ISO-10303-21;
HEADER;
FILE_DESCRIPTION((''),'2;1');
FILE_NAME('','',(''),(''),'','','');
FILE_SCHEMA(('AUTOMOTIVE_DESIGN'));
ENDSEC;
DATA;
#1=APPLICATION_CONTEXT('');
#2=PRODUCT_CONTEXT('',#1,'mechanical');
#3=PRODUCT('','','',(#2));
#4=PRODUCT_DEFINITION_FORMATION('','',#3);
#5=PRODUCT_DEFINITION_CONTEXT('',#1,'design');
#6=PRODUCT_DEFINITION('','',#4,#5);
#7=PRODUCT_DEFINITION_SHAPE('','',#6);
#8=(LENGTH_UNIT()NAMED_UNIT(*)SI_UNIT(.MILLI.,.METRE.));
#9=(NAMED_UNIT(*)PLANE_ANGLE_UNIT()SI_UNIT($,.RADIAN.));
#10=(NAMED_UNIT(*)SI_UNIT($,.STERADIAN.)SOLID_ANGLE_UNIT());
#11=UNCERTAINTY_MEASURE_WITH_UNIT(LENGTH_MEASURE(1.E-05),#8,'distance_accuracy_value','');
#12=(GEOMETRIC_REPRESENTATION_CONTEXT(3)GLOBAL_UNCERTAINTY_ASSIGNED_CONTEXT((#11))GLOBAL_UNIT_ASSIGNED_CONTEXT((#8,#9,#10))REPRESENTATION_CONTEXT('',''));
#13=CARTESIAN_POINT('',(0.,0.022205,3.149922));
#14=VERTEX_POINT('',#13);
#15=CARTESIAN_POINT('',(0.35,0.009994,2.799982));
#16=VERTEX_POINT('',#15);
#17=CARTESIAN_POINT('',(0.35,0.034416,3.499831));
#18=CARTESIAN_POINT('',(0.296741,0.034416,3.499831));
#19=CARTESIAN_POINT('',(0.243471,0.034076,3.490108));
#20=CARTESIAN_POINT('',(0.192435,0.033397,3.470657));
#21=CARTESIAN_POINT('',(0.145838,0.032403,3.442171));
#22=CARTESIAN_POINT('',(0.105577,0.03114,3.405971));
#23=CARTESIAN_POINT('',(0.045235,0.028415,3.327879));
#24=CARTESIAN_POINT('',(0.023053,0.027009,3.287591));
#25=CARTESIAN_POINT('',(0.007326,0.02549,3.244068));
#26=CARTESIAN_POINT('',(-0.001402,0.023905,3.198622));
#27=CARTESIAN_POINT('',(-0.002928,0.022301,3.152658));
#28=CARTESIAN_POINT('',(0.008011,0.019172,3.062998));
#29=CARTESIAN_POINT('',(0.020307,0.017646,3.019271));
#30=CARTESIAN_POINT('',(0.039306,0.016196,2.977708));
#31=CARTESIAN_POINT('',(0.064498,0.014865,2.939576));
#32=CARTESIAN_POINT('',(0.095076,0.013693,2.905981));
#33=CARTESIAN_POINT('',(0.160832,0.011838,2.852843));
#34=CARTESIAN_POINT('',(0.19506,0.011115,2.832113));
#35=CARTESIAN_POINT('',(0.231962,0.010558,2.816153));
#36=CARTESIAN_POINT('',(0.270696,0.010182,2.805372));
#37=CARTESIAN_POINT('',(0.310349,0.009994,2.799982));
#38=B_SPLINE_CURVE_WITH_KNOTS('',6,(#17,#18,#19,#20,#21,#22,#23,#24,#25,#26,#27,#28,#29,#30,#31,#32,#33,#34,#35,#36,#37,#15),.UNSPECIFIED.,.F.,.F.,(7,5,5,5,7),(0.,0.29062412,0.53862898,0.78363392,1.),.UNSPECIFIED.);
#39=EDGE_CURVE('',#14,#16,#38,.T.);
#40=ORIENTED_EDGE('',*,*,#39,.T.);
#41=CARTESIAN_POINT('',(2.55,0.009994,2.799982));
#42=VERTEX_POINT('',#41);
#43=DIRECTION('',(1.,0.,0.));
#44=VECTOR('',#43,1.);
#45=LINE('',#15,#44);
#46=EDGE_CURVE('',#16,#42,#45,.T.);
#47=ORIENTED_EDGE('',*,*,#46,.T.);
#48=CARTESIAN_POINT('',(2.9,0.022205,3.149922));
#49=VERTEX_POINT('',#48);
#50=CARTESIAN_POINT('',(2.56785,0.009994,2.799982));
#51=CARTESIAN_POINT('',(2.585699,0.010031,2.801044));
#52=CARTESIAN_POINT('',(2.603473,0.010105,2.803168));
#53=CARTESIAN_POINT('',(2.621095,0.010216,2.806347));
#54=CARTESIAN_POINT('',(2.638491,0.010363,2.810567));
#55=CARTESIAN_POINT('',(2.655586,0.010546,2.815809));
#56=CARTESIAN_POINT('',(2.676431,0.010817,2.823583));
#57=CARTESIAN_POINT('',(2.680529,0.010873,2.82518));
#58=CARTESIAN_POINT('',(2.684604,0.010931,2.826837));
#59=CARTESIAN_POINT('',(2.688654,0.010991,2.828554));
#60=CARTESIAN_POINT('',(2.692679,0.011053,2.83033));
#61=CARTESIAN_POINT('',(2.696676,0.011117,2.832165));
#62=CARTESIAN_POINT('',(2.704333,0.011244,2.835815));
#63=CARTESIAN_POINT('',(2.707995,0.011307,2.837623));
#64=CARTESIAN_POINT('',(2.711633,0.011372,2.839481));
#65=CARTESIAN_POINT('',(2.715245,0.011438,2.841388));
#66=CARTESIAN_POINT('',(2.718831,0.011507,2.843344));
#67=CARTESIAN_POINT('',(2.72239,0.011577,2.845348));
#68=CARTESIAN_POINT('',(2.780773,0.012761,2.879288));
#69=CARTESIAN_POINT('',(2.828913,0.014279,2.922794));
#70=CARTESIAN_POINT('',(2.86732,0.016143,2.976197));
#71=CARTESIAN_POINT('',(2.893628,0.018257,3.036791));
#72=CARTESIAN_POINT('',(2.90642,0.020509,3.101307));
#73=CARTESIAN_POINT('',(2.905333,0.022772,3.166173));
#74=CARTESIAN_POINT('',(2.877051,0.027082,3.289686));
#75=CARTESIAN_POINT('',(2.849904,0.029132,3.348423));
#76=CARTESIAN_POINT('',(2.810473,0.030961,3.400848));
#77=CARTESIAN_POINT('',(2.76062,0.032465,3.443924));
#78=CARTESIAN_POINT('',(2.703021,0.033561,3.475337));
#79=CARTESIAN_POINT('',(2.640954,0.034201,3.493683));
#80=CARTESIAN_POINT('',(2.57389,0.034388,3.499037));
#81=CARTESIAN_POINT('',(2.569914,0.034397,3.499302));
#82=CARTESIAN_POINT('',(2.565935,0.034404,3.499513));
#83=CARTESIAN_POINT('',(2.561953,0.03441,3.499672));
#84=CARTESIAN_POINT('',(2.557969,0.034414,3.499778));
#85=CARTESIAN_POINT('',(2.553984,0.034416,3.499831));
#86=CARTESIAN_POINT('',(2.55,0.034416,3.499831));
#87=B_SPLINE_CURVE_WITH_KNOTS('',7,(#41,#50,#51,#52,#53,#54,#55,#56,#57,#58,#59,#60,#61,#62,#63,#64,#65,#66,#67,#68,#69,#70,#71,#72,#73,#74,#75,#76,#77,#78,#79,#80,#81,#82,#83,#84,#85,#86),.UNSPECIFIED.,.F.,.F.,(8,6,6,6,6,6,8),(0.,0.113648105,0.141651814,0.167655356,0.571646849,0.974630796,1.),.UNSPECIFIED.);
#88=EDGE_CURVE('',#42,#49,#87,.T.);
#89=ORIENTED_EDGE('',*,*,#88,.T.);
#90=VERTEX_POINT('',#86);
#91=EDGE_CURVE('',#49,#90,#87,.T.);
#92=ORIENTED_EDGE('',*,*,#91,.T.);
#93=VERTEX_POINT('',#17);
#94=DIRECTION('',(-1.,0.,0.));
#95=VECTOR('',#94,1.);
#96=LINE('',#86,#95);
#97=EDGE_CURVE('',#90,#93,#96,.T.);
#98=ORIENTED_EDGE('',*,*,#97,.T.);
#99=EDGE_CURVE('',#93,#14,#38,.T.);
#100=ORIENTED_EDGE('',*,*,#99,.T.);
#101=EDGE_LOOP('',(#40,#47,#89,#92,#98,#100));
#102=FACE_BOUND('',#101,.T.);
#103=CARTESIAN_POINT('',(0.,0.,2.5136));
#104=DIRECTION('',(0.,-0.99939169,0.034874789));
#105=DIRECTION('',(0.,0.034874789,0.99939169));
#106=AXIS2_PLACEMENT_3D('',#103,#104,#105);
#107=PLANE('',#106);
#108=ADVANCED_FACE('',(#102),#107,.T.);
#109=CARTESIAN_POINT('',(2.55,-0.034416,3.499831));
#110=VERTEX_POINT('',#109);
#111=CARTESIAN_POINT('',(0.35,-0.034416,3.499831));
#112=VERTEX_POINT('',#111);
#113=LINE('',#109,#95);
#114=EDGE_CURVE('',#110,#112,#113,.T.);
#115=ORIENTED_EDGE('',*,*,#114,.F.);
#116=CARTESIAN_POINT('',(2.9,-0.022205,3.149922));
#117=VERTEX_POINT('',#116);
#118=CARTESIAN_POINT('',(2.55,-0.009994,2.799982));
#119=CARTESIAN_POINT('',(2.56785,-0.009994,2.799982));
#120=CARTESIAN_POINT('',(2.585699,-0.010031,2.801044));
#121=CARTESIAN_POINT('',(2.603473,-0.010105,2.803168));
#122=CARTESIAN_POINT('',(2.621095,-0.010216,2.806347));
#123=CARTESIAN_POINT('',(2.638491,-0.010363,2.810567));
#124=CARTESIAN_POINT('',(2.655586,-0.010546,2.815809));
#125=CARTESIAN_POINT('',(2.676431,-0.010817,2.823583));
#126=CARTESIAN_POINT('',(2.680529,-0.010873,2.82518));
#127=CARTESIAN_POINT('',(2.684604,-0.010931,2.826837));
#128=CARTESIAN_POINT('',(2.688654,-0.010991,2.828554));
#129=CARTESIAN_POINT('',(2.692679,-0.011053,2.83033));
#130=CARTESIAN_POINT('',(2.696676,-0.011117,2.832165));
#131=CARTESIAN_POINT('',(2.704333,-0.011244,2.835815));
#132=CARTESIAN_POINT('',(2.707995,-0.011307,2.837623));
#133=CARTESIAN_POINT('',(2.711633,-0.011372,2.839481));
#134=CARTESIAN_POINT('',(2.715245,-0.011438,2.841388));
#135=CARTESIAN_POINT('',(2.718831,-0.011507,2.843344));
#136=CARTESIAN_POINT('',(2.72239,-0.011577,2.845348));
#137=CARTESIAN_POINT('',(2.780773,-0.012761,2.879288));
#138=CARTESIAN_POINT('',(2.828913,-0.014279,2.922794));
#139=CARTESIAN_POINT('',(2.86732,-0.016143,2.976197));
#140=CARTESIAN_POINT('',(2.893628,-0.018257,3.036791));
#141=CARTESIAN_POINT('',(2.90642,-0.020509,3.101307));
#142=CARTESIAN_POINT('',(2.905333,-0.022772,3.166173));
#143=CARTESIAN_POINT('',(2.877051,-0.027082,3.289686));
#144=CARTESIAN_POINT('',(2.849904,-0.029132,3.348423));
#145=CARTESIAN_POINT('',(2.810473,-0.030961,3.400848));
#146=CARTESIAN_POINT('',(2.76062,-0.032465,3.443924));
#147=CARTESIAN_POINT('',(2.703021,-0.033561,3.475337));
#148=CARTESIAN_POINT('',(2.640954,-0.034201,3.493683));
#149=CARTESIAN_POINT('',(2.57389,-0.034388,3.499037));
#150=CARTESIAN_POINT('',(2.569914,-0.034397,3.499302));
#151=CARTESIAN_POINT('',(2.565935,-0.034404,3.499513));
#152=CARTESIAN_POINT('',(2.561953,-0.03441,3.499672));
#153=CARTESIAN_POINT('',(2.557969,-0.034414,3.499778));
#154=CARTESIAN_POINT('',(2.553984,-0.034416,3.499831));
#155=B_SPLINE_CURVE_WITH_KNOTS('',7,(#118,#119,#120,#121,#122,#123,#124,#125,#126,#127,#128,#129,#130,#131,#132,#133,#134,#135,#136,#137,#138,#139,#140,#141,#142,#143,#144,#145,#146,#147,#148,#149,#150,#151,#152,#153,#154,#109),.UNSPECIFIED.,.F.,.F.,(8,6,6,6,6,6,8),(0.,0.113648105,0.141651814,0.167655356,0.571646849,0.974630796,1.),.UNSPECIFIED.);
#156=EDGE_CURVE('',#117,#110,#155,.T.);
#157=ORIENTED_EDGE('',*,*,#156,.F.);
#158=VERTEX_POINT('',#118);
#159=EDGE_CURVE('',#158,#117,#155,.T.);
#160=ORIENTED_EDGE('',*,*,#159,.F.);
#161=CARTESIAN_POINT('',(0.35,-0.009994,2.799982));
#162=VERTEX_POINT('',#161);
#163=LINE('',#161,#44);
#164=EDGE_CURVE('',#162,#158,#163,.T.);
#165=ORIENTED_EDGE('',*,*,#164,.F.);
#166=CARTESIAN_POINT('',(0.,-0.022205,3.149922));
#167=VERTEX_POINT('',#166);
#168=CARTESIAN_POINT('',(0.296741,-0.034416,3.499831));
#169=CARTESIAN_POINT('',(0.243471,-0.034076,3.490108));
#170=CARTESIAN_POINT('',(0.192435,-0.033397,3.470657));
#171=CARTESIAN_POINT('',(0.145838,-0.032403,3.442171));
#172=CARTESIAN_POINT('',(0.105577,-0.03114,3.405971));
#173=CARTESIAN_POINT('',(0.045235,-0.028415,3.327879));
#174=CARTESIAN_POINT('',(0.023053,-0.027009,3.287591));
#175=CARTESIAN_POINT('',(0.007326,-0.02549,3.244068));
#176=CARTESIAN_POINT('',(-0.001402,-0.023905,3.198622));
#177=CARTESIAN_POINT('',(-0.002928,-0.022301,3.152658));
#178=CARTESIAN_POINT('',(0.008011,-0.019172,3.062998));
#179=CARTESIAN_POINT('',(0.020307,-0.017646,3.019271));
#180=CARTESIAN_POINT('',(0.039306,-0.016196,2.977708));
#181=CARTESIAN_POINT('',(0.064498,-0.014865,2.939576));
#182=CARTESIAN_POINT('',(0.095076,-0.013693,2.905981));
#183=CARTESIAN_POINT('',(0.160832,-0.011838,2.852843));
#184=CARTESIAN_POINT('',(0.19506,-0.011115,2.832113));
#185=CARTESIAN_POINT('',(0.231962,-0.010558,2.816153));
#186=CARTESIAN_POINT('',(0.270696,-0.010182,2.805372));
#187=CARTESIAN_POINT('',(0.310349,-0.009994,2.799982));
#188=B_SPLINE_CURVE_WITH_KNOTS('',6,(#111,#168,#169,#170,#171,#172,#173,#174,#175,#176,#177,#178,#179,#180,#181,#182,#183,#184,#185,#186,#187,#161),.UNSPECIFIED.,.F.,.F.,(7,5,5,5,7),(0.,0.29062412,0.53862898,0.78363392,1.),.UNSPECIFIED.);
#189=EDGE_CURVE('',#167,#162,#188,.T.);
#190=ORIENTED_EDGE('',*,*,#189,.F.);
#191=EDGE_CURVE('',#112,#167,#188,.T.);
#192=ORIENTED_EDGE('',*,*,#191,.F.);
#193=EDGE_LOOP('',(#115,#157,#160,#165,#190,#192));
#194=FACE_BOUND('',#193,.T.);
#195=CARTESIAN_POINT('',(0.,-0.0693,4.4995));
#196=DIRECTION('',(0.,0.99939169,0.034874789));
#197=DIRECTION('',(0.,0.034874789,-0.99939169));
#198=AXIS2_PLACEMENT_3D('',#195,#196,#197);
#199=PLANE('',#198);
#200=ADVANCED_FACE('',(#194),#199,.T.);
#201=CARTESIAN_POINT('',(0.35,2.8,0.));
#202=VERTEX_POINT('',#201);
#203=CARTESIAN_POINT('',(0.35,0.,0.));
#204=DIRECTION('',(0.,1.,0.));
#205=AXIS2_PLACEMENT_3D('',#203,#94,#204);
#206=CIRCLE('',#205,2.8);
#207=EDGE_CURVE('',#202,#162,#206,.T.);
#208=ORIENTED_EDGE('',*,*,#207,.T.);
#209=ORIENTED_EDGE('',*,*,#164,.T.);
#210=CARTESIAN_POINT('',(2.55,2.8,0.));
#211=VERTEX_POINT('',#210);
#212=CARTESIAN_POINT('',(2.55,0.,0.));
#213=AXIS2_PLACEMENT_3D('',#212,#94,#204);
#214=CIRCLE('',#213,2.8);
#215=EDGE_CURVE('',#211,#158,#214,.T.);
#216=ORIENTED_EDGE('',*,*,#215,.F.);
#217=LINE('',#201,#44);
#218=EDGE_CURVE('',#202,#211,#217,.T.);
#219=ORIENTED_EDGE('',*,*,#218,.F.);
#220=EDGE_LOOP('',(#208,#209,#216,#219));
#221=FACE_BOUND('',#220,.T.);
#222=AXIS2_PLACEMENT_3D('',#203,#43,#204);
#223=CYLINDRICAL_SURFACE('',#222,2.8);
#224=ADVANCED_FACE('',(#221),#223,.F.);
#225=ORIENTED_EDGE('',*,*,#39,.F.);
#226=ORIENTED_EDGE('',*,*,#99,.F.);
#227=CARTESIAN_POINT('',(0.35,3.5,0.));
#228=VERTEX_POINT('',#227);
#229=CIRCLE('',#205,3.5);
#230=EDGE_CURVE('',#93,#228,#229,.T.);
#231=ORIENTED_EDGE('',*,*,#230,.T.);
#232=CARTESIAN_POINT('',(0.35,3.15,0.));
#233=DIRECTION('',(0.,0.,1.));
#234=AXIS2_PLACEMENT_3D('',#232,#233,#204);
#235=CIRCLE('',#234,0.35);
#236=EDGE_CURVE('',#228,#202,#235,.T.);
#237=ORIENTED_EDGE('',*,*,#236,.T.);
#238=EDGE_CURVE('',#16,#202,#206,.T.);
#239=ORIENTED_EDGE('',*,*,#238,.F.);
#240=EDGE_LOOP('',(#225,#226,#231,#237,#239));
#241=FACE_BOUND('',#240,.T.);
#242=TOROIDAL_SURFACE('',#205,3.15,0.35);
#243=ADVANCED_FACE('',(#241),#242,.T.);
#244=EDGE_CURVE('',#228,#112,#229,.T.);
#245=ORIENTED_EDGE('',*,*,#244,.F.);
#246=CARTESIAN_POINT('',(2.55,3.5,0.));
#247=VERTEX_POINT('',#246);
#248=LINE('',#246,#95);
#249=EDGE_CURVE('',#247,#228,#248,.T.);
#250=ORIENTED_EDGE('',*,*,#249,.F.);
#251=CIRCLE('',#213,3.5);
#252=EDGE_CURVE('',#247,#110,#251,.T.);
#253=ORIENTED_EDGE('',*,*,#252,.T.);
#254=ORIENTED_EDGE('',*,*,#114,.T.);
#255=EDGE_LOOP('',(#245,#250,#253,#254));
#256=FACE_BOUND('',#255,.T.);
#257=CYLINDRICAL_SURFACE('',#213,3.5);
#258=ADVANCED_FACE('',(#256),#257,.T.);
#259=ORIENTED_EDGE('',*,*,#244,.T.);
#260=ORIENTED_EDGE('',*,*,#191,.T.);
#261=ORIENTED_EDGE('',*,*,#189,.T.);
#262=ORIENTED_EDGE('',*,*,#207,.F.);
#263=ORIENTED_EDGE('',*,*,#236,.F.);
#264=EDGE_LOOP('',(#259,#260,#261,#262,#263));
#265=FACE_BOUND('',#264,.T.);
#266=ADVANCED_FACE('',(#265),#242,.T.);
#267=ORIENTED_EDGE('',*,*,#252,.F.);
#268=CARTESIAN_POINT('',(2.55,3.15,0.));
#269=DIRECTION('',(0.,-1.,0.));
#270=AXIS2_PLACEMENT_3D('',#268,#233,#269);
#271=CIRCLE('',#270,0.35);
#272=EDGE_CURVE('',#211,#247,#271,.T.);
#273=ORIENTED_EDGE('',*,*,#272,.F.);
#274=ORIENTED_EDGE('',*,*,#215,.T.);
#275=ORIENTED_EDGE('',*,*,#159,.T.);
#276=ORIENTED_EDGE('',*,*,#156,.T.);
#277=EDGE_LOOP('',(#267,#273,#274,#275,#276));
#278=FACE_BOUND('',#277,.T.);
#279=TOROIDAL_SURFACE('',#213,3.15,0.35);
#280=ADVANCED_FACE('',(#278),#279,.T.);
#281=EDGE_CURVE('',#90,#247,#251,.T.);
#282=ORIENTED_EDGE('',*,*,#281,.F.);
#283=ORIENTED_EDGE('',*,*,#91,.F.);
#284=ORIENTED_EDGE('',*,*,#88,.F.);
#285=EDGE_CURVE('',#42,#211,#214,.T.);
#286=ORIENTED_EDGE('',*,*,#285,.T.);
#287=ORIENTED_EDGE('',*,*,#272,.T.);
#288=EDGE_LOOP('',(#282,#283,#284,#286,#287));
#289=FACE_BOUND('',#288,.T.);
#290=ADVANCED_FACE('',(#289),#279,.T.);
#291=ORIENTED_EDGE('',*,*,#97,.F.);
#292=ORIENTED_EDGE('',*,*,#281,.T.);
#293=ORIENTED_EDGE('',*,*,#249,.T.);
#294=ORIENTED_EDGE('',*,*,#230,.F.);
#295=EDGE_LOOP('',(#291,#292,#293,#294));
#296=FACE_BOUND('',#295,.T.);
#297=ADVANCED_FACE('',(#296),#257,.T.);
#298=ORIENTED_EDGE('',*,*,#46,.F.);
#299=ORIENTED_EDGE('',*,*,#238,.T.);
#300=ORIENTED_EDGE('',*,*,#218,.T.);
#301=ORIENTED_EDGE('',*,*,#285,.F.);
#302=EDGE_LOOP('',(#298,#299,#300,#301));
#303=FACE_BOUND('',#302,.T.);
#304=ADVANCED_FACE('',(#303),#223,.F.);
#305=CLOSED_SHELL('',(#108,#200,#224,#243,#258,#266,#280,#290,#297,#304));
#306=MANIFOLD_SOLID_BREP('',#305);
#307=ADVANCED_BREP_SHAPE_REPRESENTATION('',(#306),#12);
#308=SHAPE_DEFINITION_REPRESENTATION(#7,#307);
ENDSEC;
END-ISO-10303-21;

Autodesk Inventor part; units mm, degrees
sketch "Sketch_3" plane through (0, 0, 0) normal (0, 0, 1) x (1, 0, 0)
  line L0 (2.9, 0) -> (0, 0)
  arc A0 (0.35, 3.5) -> (0.35, 2.8) centre (0.35, 3.15) ccw
  line L1 (0.35, 2.8) -> (2.55, 2.8)
  arc A1 (2.55, 2.8) -> (2.55, 3.5) centre (2.55, 3.15) ccw
  line L2 (2.55, 3.5) -> (0.35, 3.5)
revolve "Revolution1" add sketch "Sketch_3" angle 360 about axis through (2.9, 0, 0) along (-1, 0, 0)
sketch "Sketch_4" plane through (0, 0, 0) normal (1, 0, 0) x (0, 1, 0)
  arc A0 (0.0693, 4.4995) -> (-0.0693, 4.4995) centre (0, 0) ccw
  line L0 (-0.0693, 4.4995) -> (0, 2.5136)
  line L1 (0, 2.5136) -> (0.0693, 4.4995)
extrude "Extrusion1" cut sketch "Sketch_4" along normal blind 2.9
ref_plane "ANBAU_XY" through (0, 0, 0) normal (1, 0, 0) x (0, 0, -1)
ref_plane "ANBAU_YZ" through (0, 0, 0) normal (0, 0, -1) x (0, 1, 0)
ref_plane "ANBAU_ZX" through (0, 0, 0) normal (0, 1, 0) x (1, 0, 0)
ref_plane "insert_XY" through (0, 0, 0) normal (1, 0, 0) x (0, 0, -1)
ref_plane "insert_YZ" through (0, 0, 0) normal (0, 0, -1) x (0, 1, 0)
ref_plane "insert_ZX" through (0, 0, 0) normal (0, 1, 0) x (1, 0, 0)
ref_plane "schraube_punkt_XY" through (2.9, 0, 0) normal (1, 0, 0) x (0, 0, -1)
ref_plane "schraube_punkt_YZ" through (2.9, 0, 0) normal (0, 0, -1) x (0, 1, 0)
ref_plane "schraube_punkt_ZX" through (2.9, 0, 0) normal (0, 1, 0) x (1, 0, 0)
properties part number "8146544 ZBH-7-B"
